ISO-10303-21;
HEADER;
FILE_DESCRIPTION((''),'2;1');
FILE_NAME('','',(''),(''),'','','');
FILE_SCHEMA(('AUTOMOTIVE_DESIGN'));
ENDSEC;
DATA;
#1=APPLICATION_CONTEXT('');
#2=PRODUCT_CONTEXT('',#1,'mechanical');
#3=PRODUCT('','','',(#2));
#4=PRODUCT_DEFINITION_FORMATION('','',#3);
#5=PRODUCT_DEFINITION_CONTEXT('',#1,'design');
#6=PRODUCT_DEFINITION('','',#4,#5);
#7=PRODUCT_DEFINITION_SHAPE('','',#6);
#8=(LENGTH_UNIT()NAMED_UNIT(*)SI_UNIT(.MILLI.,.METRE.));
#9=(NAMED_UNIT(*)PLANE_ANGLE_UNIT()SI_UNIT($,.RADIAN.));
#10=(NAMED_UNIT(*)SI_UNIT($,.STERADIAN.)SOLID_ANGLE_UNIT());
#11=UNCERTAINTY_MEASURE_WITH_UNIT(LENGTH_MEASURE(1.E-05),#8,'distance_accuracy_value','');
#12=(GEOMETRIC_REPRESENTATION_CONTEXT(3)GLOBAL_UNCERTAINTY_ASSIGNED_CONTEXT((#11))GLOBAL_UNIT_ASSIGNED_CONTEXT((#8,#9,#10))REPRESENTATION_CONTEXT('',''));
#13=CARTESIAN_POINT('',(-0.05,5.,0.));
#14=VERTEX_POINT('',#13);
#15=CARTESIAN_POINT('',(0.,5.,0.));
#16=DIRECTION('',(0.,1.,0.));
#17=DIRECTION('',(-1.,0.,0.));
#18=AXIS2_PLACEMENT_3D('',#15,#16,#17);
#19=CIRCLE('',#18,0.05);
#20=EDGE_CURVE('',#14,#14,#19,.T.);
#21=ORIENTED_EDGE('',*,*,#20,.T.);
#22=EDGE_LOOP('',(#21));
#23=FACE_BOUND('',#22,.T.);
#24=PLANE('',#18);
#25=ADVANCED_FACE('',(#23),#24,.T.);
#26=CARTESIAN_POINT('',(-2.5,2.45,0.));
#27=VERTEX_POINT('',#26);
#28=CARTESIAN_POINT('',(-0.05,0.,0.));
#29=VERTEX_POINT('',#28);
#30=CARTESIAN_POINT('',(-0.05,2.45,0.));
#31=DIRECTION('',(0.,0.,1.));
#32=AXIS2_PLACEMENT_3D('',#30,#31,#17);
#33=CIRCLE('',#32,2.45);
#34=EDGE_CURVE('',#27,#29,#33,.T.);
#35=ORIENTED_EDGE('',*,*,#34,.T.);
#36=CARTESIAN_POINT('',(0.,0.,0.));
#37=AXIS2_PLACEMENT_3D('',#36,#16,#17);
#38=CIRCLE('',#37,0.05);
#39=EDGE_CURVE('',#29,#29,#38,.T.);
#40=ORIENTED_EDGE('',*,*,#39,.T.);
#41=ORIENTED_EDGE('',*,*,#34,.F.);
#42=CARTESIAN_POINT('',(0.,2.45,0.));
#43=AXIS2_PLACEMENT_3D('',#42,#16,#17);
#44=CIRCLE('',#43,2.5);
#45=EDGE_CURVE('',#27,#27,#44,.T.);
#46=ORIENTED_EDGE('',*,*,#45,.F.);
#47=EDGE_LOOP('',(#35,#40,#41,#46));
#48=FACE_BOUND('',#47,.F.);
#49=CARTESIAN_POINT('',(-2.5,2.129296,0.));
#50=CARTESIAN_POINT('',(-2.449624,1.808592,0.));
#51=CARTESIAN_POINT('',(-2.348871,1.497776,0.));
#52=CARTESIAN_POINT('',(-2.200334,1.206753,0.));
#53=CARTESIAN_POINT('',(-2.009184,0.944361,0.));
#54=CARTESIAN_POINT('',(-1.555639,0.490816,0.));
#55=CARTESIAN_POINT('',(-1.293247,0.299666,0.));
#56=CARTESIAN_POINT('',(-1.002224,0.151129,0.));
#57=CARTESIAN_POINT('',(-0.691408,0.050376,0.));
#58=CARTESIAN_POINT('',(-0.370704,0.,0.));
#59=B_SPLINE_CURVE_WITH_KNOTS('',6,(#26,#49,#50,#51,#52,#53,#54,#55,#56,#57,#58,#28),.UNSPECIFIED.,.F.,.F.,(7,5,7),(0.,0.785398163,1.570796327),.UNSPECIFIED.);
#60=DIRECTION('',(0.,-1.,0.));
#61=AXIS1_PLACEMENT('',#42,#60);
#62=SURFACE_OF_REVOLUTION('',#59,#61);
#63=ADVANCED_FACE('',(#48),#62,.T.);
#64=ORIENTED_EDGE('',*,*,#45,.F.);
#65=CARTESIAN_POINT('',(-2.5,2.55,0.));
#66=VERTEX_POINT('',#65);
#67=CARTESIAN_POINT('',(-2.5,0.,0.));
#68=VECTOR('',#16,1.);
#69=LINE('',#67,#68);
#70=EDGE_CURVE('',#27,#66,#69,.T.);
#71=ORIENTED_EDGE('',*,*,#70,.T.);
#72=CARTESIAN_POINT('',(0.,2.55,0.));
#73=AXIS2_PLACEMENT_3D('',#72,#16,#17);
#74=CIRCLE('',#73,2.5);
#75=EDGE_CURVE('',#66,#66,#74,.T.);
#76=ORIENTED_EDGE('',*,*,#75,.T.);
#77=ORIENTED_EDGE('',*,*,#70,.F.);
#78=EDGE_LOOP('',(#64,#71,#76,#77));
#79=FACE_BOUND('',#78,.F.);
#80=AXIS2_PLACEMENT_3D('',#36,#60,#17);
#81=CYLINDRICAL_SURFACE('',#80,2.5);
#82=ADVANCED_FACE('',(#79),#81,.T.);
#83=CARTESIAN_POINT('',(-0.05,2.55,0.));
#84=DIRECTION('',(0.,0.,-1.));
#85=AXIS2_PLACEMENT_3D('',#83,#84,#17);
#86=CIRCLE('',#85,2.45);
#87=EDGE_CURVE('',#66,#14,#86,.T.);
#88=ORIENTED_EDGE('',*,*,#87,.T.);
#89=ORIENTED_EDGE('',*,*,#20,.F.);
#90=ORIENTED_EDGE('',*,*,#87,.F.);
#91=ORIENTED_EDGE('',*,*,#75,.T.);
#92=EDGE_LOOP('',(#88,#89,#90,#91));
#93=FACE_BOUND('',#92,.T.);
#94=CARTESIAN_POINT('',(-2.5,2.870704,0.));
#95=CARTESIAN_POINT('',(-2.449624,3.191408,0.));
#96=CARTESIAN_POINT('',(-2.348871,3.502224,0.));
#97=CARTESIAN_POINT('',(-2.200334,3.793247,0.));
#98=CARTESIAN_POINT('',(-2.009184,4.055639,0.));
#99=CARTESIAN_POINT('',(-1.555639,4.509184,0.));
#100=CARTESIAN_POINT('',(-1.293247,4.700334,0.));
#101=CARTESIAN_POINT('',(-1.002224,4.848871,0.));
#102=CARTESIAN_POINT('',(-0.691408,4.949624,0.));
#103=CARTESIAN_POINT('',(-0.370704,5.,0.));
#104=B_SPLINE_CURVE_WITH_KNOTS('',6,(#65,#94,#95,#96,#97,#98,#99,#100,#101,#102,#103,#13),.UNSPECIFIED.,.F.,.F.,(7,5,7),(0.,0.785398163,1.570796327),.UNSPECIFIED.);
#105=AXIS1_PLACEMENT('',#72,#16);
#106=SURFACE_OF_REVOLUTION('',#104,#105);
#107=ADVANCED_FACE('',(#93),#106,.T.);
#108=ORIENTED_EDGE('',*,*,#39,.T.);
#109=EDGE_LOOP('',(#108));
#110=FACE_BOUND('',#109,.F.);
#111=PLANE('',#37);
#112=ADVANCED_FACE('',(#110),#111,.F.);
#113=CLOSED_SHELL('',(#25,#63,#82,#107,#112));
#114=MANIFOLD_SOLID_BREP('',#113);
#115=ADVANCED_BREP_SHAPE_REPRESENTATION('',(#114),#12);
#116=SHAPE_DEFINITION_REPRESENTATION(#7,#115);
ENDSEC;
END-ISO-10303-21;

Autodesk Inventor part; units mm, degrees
ref_plane "YZ Plane" through (0, 0, 0) normal (1, 0, 0) x (0, 1, 0)
ref_plane "XZ Plane" through (0, 0, 0) normal (0, 1, 0) x (-1, 0, 0)
ref_plane "XY Plane" through (0, 0, 0) normal (0, 0, 1) x (1, 0, 0)
sketch "Sketch1" plane through (0, 0, 0) normal (0, 1, 0) x (-1, 0, 0)
  circle A0 centre (0, 0) radius 2.5
  dimension "d0" = 5
extrude "Extrusion1" add sketch "Sketch1" along normal blind 5
fillet "Fillet1" radius 2.45 2 edges at (2.5, 5, 0) (2.5, 0, 0)
properties part number "Universal_Wheel"
